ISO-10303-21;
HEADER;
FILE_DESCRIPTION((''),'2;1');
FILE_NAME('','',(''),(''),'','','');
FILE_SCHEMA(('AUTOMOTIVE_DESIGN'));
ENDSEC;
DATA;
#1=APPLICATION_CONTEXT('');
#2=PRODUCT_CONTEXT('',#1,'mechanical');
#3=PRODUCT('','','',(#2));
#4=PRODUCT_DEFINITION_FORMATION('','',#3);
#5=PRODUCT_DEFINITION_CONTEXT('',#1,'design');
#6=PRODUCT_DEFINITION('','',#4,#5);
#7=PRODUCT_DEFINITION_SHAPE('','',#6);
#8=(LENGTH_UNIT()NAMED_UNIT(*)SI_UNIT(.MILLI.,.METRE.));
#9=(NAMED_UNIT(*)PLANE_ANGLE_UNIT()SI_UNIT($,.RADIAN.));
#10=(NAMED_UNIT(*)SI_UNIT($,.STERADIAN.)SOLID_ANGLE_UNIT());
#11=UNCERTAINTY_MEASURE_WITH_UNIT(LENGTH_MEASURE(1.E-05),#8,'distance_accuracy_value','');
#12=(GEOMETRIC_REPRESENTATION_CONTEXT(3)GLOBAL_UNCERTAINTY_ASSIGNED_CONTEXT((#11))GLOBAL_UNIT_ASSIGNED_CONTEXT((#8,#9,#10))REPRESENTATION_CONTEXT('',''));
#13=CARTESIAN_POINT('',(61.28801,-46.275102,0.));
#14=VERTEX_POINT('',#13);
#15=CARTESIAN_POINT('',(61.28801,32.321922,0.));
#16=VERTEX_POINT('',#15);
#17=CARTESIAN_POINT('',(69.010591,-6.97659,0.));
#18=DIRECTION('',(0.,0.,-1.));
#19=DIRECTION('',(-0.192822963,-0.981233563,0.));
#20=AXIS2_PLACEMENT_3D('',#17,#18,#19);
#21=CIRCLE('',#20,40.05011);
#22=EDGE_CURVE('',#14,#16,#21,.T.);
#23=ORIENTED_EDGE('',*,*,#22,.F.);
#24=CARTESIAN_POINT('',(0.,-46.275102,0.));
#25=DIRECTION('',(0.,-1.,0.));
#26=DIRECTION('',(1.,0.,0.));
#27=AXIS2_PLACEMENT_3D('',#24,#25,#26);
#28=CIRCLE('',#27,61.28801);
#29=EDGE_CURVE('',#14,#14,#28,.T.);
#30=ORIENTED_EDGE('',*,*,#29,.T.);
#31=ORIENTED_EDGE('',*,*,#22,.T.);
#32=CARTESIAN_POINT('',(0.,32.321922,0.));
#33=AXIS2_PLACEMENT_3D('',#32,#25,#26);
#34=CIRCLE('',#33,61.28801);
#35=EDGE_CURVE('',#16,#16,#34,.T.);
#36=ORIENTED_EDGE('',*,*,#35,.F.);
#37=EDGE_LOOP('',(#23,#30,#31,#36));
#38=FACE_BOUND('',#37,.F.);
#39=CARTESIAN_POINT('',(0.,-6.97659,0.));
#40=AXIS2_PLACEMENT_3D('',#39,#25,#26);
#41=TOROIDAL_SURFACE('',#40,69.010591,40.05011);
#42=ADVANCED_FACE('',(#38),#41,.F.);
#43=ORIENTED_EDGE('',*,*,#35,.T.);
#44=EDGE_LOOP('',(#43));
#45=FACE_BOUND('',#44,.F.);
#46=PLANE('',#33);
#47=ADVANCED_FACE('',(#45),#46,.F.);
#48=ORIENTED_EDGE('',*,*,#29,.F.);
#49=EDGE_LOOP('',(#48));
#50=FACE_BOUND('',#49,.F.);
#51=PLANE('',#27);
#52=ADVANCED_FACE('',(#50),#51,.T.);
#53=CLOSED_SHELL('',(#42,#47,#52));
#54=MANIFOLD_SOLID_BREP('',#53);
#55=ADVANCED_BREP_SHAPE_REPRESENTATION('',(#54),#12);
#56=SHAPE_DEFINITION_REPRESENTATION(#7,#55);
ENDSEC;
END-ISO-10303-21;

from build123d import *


with BuildPart() as f1:
    # F0 (on Top) → F1 (revolve)
    with BuildSketch(Plane.XY):
        with BuildLine():
            Line((61.28801, 32.321922), (0, 32.321922))
            Line((0, 32.321922), (0, -46.275102))
            Line((0, -46.275102), (61.28801, -46.275102))
            ThreePointArc((61.28801, -46.275102), (28.960481, -6.97659), (61.28801, 32.321922))
        make_face()
    revolve(axis=Axis((0, -6.97659, 0), (0, -1, 0)))


solid = f1.part
